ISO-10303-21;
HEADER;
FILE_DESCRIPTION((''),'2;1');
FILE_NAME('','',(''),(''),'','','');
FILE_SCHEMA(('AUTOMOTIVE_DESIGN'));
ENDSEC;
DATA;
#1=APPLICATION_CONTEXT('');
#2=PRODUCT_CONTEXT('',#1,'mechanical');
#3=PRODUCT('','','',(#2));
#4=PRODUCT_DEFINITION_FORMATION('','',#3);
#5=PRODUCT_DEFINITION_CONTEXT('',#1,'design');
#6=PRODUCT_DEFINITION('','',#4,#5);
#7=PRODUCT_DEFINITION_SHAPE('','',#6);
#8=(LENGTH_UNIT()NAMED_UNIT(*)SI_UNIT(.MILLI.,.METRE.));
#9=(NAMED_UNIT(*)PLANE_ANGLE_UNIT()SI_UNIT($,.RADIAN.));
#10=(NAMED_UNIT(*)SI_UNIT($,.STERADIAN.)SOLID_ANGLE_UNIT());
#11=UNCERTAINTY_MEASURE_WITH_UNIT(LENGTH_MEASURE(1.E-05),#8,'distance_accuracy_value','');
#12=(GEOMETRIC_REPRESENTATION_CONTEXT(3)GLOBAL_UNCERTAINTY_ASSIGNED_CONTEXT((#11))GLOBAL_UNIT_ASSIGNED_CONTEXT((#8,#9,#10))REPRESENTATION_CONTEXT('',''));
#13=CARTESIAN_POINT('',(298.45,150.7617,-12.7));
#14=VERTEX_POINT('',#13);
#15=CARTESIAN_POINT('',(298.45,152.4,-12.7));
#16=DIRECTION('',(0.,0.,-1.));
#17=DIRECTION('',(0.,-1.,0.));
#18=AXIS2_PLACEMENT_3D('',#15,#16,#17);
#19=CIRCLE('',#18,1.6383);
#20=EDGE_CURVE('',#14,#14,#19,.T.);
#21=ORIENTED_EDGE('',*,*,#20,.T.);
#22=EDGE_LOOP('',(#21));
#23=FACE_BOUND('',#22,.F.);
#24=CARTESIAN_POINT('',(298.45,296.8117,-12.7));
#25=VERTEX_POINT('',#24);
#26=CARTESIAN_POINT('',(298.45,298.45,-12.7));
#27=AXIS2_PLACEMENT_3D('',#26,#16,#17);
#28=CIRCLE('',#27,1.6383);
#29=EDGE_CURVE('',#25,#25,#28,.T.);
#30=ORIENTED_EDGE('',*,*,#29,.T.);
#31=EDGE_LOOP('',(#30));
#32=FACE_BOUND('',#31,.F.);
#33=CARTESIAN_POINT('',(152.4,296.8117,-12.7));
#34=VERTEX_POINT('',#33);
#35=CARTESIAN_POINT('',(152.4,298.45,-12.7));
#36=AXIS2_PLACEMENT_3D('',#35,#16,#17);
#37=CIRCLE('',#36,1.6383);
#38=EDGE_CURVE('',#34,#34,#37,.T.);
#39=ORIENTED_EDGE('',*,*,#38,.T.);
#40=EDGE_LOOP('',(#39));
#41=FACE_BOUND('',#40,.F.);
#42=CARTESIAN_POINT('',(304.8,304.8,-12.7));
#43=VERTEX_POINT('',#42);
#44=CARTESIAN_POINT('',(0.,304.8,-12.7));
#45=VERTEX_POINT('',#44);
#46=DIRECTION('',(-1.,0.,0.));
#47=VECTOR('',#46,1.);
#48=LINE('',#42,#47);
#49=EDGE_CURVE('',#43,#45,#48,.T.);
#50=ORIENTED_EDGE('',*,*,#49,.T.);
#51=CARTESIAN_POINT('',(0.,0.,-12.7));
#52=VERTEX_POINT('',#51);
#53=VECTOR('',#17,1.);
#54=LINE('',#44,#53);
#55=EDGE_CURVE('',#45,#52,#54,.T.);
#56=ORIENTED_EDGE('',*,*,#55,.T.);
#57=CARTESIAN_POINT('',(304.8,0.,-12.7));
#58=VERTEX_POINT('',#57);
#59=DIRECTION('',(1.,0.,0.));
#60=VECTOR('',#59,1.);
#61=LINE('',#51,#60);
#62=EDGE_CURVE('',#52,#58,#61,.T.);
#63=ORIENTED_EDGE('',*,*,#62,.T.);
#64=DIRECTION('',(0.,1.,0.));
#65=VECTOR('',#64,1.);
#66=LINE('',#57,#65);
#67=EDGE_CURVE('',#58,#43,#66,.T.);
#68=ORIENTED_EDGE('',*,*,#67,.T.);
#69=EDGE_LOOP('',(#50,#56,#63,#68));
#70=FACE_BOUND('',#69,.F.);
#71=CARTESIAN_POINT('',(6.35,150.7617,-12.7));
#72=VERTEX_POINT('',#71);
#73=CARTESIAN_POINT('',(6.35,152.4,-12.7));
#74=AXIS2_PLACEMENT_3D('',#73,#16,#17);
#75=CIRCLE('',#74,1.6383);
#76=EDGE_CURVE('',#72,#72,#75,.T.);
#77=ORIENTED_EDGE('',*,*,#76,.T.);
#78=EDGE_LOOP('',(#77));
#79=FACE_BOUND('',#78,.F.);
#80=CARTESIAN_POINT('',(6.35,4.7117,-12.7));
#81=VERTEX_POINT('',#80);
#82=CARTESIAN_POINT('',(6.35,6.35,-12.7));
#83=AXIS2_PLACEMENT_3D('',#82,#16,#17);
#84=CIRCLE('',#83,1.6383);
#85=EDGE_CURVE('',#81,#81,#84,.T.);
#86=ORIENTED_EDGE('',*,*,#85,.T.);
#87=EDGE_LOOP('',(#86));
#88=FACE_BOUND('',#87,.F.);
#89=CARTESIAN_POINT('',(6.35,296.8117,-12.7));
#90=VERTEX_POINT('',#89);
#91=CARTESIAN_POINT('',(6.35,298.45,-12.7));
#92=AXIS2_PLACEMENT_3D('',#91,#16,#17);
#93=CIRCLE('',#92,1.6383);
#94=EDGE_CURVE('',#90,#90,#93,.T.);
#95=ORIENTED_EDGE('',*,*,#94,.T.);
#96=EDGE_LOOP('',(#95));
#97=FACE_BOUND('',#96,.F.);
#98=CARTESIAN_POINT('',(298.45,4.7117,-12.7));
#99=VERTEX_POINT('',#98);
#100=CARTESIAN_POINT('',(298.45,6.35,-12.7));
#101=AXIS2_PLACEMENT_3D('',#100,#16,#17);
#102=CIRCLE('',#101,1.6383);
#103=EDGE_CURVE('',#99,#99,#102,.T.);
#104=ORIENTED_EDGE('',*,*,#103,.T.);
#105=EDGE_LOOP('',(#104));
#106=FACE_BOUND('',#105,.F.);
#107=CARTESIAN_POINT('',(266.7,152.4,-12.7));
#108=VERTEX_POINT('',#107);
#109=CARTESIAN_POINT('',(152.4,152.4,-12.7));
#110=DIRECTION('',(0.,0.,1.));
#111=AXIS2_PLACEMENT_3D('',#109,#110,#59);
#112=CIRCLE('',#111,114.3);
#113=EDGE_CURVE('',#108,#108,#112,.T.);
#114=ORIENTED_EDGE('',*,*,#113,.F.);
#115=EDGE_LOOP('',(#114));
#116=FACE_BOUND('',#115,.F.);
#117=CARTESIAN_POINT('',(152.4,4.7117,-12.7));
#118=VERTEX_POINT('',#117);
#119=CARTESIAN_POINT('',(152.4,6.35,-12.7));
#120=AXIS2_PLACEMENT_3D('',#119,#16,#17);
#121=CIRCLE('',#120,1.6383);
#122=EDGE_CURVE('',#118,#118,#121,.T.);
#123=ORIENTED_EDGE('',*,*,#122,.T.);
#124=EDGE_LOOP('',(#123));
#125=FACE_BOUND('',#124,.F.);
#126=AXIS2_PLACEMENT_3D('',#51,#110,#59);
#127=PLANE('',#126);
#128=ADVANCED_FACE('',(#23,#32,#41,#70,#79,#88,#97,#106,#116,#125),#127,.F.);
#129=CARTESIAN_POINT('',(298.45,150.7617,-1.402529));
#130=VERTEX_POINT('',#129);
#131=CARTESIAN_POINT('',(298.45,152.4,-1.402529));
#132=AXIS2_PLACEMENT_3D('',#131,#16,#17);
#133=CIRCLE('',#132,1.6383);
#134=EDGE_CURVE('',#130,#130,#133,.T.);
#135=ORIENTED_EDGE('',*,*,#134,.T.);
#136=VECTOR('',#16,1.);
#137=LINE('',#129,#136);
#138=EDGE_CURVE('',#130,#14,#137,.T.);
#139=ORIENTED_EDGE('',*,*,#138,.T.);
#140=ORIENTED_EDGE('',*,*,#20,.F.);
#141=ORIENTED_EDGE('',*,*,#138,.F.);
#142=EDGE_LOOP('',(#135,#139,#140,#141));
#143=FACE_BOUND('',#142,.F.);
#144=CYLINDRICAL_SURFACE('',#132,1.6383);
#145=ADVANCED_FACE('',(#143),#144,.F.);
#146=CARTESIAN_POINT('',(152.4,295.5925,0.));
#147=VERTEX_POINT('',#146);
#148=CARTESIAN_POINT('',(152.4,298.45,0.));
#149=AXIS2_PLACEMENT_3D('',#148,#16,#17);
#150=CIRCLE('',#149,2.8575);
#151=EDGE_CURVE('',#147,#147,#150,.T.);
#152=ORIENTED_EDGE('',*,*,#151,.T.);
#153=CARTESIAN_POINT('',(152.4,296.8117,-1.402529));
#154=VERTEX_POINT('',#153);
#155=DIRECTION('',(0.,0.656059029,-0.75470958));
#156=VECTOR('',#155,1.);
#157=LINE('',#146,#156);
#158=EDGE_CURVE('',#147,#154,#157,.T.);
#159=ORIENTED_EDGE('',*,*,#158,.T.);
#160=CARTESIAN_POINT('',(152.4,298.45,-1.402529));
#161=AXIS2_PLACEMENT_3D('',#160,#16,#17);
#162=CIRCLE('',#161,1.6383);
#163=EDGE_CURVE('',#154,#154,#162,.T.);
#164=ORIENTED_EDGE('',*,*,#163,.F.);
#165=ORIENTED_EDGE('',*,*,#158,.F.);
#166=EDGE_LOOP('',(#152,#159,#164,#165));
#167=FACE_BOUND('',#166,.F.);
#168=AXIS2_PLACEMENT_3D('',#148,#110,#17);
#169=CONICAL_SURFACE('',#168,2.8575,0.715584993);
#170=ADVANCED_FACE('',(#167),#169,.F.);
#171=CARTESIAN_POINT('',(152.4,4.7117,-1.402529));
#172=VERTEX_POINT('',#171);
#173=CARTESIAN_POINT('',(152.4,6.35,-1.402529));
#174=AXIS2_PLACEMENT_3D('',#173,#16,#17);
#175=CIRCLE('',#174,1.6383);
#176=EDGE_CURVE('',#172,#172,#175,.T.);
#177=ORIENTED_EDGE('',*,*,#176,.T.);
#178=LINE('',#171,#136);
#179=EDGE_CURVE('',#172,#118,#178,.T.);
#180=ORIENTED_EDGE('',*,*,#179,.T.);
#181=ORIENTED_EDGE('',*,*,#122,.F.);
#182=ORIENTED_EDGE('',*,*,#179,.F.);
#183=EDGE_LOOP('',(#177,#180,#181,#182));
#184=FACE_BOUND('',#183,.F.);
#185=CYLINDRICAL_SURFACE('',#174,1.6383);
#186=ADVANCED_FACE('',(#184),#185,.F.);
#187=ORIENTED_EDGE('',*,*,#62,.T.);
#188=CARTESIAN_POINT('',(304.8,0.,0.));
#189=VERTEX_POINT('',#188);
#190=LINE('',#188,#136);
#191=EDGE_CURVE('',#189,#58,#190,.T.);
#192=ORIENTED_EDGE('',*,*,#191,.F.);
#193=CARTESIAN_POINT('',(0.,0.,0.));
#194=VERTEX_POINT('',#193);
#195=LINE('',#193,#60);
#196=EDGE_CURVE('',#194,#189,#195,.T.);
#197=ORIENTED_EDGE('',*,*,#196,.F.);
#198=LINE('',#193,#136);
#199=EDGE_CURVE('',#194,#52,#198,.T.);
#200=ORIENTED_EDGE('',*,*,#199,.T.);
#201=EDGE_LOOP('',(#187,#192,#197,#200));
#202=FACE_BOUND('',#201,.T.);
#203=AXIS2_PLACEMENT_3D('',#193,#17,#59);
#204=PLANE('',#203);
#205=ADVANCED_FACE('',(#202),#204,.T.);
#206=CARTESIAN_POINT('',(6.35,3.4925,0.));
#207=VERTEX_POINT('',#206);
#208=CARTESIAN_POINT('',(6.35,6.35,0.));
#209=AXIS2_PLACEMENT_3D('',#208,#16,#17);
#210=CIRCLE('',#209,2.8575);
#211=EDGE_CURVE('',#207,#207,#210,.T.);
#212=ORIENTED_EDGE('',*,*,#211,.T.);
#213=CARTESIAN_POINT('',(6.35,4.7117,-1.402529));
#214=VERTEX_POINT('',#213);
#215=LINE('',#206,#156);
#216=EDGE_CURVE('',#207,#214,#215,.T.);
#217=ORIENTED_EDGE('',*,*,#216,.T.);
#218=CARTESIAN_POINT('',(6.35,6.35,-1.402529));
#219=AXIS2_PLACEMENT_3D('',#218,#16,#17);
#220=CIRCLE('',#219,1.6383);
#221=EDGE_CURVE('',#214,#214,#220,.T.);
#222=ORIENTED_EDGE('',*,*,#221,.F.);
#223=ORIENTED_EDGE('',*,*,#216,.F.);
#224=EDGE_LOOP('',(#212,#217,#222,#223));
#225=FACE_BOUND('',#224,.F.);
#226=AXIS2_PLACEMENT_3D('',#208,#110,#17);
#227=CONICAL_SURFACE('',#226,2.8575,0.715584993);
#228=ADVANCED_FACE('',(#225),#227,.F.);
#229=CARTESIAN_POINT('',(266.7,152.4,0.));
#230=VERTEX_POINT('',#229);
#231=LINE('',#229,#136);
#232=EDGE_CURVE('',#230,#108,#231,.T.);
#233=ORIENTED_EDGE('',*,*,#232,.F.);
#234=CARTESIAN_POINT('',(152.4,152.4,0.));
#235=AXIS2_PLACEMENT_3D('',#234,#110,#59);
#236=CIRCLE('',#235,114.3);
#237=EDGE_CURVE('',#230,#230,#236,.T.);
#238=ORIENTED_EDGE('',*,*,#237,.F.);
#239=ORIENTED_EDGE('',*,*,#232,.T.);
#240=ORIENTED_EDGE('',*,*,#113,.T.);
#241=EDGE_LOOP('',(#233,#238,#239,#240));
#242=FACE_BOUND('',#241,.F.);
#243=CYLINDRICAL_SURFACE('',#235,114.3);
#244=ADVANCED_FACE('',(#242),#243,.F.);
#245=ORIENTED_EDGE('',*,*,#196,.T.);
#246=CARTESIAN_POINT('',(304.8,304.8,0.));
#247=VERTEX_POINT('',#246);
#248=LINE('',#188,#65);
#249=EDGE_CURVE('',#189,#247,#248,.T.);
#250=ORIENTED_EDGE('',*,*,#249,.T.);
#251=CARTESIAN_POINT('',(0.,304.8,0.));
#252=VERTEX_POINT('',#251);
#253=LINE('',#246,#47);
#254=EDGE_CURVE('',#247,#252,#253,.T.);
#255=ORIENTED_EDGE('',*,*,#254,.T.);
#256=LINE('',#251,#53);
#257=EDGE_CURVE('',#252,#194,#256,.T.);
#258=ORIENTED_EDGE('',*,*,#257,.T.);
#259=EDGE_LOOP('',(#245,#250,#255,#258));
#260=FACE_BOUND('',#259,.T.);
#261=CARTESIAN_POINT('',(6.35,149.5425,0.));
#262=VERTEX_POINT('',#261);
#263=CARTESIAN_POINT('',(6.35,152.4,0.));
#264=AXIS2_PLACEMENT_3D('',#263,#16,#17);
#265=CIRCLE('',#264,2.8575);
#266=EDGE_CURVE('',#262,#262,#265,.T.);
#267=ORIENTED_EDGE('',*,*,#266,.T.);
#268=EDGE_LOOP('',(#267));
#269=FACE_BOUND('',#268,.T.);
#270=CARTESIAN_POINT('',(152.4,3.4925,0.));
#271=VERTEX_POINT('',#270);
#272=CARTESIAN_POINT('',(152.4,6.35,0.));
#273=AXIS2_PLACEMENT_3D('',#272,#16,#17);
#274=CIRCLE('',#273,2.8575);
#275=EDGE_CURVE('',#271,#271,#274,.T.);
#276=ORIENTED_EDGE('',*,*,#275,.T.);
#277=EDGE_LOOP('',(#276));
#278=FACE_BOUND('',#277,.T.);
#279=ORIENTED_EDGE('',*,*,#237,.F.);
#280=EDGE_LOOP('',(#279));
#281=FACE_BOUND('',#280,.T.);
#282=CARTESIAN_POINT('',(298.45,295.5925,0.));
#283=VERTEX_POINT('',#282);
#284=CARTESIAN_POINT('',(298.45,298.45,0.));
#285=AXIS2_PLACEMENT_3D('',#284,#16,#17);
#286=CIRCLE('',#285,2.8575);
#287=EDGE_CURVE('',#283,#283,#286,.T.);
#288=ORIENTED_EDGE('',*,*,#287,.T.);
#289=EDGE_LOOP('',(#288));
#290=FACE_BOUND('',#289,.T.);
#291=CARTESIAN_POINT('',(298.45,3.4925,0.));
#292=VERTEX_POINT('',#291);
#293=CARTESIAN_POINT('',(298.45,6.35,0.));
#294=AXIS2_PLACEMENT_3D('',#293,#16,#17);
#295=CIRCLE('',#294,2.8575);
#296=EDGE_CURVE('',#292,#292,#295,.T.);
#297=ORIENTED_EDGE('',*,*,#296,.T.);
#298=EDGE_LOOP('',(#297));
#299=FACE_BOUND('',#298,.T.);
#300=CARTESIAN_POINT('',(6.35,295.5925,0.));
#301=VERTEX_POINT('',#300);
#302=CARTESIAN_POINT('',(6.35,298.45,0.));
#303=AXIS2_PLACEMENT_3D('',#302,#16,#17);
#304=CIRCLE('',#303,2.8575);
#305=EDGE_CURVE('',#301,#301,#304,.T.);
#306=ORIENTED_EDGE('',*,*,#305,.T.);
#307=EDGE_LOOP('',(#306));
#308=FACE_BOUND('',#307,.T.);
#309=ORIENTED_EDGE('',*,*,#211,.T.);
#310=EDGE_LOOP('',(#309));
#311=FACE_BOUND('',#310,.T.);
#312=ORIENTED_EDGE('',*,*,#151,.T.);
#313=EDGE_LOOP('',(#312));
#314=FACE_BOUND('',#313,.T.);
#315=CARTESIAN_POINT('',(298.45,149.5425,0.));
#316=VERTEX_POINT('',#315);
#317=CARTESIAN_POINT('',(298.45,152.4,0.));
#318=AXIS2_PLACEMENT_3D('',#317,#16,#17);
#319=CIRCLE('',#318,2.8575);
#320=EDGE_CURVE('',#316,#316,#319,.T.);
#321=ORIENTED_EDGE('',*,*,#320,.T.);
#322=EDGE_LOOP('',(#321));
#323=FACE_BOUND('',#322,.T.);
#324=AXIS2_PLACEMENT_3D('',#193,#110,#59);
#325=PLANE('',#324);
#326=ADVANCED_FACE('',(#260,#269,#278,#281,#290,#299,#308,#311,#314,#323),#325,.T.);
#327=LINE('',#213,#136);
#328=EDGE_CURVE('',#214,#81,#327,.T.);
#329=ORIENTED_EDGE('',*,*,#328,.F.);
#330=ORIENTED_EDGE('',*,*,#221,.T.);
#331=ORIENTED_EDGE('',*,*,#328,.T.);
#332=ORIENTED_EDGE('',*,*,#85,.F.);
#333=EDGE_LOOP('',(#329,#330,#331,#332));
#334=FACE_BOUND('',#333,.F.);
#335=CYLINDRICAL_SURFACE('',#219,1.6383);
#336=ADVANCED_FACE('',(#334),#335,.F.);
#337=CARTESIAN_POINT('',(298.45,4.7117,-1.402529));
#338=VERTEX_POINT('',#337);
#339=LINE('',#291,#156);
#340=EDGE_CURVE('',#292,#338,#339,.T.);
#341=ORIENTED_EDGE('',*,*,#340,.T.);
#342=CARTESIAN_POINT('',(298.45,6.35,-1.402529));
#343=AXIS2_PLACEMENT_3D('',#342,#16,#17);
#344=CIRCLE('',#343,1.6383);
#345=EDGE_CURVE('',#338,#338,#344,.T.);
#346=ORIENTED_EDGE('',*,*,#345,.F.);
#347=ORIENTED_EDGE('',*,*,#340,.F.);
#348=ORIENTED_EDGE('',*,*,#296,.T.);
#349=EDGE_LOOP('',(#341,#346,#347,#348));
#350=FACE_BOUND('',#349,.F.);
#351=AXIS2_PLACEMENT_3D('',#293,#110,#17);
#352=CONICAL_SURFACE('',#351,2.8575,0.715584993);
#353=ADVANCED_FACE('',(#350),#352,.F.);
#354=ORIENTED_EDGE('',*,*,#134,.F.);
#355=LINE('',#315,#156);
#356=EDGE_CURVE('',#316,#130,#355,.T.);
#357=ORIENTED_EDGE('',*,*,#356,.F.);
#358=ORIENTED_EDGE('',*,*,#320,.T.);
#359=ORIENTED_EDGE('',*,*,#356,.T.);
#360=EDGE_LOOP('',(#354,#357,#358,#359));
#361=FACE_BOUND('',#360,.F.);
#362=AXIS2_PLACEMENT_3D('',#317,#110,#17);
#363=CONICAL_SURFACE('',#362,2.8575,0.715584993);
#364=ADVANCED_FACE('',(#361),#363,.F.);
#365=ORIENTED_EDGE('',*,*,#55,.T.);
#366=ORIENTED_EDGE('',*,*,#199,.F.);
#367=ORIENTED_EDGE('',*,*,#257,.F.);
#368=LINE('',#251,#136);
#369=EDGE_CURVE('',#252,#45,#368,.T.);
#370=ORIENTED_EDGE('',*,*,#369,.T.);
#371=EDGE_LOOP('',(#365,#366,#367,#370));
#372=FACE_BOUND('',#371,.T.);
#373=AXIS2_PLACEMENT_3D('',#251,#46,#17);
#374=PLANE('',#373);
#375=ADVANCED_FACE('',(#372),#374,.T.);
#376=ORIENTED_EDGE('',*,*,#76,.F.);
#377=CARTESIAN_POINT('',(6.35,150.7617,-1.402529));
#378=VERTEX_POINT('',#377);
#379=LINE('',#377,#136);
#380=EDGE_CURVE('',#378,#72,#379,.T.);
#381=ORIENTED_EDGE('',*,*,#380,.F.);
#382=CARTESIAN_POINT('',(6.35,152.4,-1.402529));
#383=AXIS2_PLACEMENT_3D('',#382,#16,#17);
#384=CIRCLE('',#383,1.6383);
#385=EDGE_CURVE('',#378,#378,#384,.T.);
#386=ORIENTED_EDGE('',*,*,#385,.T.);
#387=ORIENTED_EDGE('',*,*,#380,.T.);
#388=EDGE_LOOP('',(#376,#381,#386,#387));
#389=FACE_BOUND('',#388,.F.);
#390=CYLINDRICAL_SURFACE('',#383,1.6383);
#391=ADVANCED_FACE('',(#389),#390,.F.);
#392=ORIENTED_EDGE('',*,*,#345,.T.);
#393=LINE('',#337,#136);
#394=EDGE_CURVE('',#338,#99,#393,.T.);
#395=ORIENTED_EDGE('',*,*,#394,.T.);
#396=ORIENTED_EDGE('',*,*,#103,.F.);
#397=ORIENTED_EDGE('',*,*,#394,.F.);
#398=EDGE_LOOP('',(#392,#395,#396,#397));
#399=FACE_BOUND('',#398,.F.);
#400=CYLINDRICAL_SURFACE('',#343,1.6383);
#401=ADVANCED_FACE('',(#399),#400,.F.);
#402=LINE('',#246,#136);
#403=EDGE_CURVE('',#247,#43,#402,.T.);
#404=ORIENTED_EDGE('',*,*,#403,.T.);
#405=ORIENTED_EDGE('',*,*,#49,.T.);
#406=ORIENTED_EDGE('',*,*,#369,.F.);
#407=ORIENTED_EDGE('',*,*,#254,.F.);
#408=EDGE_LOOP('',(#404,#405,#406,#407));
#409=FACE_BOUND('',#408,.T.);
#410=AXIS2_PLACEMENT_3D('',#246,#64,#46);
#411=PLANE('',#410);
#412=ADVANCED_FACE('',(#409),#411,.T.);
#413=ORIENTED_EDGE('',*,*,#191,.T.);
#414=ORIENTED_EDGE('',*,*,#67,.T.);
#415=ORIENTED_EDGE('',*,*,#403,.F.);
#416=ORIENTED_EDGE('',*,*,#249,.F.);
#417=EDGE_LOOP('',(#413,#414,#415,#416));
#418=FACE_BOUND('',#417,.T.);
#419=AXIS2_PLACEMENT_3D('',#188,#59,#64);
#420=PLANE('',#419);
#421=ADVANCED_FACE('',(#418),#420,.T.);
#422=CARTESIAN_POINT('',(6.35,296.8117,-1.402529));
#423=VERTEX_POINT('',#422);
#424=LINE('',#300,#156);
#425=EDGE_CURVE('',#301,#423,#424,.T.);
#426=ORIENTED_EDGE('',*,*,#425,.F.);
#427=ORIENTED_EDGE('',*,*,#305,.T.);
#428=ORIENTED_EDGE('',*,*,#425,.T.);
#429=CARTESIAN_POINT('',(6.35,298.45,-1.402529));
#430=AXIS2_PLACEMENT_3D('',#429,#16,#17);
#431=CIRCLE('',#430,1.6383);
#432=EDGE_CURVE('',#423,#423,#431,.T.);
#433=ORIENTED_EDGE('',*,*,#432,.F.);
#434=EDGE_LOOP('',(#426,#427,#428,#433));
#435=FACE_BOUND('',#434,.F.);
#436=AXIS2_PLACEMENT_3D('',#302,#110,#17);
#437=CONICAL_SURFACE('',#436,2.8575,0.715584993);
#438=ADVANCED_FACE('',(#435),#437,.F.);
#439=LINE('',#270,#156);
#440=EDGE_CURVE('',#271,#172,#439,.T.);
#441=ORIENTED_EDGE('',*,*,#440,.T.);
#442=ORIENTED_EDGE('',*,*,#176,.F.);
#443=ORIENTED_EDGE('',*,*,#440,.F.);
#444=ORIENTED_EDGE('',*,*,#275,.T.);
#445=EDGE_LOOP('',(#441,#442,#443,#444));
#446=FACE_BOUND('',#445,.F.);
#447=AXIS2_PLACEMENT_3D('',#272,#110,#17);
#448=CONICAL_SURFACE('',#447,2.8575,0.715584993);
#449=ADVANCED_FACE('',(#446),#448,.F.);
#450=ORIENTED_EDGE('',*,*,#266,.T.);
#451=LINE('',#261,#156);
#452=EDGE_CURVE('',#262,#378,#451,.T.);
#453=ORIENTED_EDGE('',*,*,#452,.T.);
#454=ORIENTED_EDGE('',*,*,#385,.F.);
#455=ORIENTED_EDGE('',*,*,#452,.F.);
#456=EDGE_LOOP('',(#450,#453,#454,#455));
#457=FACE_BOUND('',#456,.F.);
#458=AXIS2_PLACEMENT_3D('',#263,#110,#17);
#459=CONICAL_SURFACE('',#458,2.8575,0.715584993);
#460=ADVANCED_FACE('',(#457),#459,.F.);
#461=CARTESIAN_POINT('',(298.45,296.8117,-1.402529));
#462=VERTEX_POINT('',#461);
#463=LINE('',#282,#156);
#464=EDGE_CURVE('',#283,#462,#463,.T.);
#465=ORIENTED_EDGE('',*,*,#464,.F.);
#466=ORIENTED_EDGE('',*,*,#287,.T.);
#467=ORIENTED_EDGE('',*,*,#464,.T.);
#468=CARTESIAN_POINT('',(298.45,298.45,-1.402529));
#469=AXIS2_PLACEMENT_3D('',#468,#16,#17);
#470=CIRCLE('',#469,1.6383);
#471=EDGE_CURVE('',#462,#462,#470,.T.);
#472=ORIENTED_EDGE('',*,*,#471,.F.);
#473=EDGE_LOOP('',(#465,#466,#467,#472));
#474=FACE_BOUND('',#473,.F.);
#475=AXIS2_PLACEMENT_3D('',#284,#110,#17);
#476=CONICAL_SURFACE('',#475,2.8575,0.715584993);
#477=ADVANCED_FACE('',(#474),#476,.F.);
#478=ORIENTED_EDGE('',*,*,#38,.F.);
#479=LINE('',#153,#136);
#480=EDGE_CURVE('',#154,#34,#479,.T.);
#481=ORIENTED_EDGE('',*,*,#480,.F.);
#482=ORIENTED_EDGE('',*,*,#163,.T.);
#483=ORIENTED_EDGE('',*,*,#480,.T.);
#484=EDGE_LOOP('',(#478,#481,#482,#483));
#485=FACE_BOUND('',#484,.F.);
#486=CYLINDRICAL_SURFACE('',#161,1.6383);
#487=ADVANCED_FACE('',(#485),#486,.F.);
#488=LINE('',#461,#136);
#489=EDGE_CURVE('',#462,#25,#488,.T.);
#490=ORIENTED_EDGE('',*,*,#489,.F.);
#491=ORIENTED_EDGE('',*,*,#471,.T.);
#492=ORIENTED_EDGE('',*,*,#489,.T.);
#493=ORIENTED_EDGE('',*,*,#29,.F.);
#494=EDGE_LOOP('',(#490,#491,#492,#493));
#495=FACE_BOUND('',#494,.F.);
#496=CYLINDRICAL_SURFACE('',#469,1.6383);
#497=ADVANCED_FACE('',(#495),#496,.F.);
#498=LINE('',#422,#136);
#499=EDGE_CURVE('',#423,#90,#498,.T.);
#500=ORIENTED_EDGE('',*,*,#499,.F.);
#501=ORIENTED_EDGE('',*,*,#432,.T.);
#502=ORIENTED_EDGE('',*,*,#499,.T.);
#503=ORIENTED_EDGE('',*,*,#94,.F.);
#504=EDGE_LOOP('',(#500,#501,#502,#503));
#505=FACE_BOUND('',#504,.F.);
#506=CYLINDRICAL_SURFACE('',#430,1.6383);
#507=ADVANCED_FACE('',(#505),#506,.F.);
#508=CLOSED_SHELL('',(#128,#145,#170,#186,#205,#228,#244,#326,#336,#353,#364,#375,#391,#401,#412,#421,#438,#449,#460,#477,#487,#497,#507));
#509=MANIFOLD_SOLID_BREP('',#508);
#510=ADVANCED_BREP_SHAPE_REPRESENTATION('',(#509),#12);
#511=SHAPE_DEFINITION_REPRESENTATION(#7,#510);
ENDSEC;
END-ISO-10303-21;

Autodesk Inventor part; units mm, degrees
ref_plane "YZ Plane" through (0, 0, 0) normal (1, 0, 0) x (0, 1, 0)
ref_plane "XZ Plane" through (0, 0, 0) normal (0, 1, 0) x (-1, 0, 0)
ref_plane "XY Plane" through (0, 0, 0) normal (0, 0, 1) x (1, 0, 0)
sketch "Sketch1" plane through (0, 0, 0) normal (0, 0, 1) x (1, 0, 0)
  line L0 (0, 0) -> (304.8, 0)
  line L1 (304.8, 0) -> (304.8, 304.8)
  line L2 (304.8, 304.8) -> (0, 304.8)
  line L3 (0, 304.8) -> (0, 0)
  circle A0 centre (152.4, 152.4) radius 114.3
  circle A1 centre (6.35, 298.45) radius 0.9922
  circle A2 centre (298.45, 298.45) radius 0.9922
  circle A3 centre (298.45, 6.35) radius 0.9922
  circle A4 centre (6.35, 6.35) radius 0.9922
  circle A5 centre (6.35, 152.4) radius 0.9922
  circle A6 centre (298.45, 152.4) radius 0.9922
  circle A7 centre (152.4, 298.45) radius 0.9922
  circle A8 centre (152.4, 6.35) radius 0.9922
  point P0 (304.8, 152.4)
  point P1 (152.4, 304.8)
  dimension "d0" = 304.8
  dimension "d1" = 228.6
  dimension "d6" = 1.9844
  dimension "d7" = 6.35
  dimension "d8" = 6.35
  dimension "d10" = 6.35
  dimension "d11" = 6.35
extrude "Extrusion1" add sketch "Sketch1" against normal blind 12.7 contours L3 L2 L1 L0 | A1 | A2 | A3 | A4 | A5 | A6 | A7 | A8
hole "Hole1" at (6.35, 298.45, 0) at (298.45, 298.45, 0) at (298.45, 6.35, 0) at (6.35, 6.35, 0) at (152.4, 298.45, 0) at (152.4, 6.35, 0) at (298.45, 152.4, 0) at (6.35, 152.4, 0) direction (0, 0, -1) diameter 3.2766 end through all countersink diameter 5.715 countersink angle 82 clearance for "Flat Head Machine Screw (82)" size "#4" standard "Ansi Unified Screw Threads"
equation "\"d10\" = d7"
equation "\"d11\" = d8"
properties material "MDF Medium Density Fiberboard"
